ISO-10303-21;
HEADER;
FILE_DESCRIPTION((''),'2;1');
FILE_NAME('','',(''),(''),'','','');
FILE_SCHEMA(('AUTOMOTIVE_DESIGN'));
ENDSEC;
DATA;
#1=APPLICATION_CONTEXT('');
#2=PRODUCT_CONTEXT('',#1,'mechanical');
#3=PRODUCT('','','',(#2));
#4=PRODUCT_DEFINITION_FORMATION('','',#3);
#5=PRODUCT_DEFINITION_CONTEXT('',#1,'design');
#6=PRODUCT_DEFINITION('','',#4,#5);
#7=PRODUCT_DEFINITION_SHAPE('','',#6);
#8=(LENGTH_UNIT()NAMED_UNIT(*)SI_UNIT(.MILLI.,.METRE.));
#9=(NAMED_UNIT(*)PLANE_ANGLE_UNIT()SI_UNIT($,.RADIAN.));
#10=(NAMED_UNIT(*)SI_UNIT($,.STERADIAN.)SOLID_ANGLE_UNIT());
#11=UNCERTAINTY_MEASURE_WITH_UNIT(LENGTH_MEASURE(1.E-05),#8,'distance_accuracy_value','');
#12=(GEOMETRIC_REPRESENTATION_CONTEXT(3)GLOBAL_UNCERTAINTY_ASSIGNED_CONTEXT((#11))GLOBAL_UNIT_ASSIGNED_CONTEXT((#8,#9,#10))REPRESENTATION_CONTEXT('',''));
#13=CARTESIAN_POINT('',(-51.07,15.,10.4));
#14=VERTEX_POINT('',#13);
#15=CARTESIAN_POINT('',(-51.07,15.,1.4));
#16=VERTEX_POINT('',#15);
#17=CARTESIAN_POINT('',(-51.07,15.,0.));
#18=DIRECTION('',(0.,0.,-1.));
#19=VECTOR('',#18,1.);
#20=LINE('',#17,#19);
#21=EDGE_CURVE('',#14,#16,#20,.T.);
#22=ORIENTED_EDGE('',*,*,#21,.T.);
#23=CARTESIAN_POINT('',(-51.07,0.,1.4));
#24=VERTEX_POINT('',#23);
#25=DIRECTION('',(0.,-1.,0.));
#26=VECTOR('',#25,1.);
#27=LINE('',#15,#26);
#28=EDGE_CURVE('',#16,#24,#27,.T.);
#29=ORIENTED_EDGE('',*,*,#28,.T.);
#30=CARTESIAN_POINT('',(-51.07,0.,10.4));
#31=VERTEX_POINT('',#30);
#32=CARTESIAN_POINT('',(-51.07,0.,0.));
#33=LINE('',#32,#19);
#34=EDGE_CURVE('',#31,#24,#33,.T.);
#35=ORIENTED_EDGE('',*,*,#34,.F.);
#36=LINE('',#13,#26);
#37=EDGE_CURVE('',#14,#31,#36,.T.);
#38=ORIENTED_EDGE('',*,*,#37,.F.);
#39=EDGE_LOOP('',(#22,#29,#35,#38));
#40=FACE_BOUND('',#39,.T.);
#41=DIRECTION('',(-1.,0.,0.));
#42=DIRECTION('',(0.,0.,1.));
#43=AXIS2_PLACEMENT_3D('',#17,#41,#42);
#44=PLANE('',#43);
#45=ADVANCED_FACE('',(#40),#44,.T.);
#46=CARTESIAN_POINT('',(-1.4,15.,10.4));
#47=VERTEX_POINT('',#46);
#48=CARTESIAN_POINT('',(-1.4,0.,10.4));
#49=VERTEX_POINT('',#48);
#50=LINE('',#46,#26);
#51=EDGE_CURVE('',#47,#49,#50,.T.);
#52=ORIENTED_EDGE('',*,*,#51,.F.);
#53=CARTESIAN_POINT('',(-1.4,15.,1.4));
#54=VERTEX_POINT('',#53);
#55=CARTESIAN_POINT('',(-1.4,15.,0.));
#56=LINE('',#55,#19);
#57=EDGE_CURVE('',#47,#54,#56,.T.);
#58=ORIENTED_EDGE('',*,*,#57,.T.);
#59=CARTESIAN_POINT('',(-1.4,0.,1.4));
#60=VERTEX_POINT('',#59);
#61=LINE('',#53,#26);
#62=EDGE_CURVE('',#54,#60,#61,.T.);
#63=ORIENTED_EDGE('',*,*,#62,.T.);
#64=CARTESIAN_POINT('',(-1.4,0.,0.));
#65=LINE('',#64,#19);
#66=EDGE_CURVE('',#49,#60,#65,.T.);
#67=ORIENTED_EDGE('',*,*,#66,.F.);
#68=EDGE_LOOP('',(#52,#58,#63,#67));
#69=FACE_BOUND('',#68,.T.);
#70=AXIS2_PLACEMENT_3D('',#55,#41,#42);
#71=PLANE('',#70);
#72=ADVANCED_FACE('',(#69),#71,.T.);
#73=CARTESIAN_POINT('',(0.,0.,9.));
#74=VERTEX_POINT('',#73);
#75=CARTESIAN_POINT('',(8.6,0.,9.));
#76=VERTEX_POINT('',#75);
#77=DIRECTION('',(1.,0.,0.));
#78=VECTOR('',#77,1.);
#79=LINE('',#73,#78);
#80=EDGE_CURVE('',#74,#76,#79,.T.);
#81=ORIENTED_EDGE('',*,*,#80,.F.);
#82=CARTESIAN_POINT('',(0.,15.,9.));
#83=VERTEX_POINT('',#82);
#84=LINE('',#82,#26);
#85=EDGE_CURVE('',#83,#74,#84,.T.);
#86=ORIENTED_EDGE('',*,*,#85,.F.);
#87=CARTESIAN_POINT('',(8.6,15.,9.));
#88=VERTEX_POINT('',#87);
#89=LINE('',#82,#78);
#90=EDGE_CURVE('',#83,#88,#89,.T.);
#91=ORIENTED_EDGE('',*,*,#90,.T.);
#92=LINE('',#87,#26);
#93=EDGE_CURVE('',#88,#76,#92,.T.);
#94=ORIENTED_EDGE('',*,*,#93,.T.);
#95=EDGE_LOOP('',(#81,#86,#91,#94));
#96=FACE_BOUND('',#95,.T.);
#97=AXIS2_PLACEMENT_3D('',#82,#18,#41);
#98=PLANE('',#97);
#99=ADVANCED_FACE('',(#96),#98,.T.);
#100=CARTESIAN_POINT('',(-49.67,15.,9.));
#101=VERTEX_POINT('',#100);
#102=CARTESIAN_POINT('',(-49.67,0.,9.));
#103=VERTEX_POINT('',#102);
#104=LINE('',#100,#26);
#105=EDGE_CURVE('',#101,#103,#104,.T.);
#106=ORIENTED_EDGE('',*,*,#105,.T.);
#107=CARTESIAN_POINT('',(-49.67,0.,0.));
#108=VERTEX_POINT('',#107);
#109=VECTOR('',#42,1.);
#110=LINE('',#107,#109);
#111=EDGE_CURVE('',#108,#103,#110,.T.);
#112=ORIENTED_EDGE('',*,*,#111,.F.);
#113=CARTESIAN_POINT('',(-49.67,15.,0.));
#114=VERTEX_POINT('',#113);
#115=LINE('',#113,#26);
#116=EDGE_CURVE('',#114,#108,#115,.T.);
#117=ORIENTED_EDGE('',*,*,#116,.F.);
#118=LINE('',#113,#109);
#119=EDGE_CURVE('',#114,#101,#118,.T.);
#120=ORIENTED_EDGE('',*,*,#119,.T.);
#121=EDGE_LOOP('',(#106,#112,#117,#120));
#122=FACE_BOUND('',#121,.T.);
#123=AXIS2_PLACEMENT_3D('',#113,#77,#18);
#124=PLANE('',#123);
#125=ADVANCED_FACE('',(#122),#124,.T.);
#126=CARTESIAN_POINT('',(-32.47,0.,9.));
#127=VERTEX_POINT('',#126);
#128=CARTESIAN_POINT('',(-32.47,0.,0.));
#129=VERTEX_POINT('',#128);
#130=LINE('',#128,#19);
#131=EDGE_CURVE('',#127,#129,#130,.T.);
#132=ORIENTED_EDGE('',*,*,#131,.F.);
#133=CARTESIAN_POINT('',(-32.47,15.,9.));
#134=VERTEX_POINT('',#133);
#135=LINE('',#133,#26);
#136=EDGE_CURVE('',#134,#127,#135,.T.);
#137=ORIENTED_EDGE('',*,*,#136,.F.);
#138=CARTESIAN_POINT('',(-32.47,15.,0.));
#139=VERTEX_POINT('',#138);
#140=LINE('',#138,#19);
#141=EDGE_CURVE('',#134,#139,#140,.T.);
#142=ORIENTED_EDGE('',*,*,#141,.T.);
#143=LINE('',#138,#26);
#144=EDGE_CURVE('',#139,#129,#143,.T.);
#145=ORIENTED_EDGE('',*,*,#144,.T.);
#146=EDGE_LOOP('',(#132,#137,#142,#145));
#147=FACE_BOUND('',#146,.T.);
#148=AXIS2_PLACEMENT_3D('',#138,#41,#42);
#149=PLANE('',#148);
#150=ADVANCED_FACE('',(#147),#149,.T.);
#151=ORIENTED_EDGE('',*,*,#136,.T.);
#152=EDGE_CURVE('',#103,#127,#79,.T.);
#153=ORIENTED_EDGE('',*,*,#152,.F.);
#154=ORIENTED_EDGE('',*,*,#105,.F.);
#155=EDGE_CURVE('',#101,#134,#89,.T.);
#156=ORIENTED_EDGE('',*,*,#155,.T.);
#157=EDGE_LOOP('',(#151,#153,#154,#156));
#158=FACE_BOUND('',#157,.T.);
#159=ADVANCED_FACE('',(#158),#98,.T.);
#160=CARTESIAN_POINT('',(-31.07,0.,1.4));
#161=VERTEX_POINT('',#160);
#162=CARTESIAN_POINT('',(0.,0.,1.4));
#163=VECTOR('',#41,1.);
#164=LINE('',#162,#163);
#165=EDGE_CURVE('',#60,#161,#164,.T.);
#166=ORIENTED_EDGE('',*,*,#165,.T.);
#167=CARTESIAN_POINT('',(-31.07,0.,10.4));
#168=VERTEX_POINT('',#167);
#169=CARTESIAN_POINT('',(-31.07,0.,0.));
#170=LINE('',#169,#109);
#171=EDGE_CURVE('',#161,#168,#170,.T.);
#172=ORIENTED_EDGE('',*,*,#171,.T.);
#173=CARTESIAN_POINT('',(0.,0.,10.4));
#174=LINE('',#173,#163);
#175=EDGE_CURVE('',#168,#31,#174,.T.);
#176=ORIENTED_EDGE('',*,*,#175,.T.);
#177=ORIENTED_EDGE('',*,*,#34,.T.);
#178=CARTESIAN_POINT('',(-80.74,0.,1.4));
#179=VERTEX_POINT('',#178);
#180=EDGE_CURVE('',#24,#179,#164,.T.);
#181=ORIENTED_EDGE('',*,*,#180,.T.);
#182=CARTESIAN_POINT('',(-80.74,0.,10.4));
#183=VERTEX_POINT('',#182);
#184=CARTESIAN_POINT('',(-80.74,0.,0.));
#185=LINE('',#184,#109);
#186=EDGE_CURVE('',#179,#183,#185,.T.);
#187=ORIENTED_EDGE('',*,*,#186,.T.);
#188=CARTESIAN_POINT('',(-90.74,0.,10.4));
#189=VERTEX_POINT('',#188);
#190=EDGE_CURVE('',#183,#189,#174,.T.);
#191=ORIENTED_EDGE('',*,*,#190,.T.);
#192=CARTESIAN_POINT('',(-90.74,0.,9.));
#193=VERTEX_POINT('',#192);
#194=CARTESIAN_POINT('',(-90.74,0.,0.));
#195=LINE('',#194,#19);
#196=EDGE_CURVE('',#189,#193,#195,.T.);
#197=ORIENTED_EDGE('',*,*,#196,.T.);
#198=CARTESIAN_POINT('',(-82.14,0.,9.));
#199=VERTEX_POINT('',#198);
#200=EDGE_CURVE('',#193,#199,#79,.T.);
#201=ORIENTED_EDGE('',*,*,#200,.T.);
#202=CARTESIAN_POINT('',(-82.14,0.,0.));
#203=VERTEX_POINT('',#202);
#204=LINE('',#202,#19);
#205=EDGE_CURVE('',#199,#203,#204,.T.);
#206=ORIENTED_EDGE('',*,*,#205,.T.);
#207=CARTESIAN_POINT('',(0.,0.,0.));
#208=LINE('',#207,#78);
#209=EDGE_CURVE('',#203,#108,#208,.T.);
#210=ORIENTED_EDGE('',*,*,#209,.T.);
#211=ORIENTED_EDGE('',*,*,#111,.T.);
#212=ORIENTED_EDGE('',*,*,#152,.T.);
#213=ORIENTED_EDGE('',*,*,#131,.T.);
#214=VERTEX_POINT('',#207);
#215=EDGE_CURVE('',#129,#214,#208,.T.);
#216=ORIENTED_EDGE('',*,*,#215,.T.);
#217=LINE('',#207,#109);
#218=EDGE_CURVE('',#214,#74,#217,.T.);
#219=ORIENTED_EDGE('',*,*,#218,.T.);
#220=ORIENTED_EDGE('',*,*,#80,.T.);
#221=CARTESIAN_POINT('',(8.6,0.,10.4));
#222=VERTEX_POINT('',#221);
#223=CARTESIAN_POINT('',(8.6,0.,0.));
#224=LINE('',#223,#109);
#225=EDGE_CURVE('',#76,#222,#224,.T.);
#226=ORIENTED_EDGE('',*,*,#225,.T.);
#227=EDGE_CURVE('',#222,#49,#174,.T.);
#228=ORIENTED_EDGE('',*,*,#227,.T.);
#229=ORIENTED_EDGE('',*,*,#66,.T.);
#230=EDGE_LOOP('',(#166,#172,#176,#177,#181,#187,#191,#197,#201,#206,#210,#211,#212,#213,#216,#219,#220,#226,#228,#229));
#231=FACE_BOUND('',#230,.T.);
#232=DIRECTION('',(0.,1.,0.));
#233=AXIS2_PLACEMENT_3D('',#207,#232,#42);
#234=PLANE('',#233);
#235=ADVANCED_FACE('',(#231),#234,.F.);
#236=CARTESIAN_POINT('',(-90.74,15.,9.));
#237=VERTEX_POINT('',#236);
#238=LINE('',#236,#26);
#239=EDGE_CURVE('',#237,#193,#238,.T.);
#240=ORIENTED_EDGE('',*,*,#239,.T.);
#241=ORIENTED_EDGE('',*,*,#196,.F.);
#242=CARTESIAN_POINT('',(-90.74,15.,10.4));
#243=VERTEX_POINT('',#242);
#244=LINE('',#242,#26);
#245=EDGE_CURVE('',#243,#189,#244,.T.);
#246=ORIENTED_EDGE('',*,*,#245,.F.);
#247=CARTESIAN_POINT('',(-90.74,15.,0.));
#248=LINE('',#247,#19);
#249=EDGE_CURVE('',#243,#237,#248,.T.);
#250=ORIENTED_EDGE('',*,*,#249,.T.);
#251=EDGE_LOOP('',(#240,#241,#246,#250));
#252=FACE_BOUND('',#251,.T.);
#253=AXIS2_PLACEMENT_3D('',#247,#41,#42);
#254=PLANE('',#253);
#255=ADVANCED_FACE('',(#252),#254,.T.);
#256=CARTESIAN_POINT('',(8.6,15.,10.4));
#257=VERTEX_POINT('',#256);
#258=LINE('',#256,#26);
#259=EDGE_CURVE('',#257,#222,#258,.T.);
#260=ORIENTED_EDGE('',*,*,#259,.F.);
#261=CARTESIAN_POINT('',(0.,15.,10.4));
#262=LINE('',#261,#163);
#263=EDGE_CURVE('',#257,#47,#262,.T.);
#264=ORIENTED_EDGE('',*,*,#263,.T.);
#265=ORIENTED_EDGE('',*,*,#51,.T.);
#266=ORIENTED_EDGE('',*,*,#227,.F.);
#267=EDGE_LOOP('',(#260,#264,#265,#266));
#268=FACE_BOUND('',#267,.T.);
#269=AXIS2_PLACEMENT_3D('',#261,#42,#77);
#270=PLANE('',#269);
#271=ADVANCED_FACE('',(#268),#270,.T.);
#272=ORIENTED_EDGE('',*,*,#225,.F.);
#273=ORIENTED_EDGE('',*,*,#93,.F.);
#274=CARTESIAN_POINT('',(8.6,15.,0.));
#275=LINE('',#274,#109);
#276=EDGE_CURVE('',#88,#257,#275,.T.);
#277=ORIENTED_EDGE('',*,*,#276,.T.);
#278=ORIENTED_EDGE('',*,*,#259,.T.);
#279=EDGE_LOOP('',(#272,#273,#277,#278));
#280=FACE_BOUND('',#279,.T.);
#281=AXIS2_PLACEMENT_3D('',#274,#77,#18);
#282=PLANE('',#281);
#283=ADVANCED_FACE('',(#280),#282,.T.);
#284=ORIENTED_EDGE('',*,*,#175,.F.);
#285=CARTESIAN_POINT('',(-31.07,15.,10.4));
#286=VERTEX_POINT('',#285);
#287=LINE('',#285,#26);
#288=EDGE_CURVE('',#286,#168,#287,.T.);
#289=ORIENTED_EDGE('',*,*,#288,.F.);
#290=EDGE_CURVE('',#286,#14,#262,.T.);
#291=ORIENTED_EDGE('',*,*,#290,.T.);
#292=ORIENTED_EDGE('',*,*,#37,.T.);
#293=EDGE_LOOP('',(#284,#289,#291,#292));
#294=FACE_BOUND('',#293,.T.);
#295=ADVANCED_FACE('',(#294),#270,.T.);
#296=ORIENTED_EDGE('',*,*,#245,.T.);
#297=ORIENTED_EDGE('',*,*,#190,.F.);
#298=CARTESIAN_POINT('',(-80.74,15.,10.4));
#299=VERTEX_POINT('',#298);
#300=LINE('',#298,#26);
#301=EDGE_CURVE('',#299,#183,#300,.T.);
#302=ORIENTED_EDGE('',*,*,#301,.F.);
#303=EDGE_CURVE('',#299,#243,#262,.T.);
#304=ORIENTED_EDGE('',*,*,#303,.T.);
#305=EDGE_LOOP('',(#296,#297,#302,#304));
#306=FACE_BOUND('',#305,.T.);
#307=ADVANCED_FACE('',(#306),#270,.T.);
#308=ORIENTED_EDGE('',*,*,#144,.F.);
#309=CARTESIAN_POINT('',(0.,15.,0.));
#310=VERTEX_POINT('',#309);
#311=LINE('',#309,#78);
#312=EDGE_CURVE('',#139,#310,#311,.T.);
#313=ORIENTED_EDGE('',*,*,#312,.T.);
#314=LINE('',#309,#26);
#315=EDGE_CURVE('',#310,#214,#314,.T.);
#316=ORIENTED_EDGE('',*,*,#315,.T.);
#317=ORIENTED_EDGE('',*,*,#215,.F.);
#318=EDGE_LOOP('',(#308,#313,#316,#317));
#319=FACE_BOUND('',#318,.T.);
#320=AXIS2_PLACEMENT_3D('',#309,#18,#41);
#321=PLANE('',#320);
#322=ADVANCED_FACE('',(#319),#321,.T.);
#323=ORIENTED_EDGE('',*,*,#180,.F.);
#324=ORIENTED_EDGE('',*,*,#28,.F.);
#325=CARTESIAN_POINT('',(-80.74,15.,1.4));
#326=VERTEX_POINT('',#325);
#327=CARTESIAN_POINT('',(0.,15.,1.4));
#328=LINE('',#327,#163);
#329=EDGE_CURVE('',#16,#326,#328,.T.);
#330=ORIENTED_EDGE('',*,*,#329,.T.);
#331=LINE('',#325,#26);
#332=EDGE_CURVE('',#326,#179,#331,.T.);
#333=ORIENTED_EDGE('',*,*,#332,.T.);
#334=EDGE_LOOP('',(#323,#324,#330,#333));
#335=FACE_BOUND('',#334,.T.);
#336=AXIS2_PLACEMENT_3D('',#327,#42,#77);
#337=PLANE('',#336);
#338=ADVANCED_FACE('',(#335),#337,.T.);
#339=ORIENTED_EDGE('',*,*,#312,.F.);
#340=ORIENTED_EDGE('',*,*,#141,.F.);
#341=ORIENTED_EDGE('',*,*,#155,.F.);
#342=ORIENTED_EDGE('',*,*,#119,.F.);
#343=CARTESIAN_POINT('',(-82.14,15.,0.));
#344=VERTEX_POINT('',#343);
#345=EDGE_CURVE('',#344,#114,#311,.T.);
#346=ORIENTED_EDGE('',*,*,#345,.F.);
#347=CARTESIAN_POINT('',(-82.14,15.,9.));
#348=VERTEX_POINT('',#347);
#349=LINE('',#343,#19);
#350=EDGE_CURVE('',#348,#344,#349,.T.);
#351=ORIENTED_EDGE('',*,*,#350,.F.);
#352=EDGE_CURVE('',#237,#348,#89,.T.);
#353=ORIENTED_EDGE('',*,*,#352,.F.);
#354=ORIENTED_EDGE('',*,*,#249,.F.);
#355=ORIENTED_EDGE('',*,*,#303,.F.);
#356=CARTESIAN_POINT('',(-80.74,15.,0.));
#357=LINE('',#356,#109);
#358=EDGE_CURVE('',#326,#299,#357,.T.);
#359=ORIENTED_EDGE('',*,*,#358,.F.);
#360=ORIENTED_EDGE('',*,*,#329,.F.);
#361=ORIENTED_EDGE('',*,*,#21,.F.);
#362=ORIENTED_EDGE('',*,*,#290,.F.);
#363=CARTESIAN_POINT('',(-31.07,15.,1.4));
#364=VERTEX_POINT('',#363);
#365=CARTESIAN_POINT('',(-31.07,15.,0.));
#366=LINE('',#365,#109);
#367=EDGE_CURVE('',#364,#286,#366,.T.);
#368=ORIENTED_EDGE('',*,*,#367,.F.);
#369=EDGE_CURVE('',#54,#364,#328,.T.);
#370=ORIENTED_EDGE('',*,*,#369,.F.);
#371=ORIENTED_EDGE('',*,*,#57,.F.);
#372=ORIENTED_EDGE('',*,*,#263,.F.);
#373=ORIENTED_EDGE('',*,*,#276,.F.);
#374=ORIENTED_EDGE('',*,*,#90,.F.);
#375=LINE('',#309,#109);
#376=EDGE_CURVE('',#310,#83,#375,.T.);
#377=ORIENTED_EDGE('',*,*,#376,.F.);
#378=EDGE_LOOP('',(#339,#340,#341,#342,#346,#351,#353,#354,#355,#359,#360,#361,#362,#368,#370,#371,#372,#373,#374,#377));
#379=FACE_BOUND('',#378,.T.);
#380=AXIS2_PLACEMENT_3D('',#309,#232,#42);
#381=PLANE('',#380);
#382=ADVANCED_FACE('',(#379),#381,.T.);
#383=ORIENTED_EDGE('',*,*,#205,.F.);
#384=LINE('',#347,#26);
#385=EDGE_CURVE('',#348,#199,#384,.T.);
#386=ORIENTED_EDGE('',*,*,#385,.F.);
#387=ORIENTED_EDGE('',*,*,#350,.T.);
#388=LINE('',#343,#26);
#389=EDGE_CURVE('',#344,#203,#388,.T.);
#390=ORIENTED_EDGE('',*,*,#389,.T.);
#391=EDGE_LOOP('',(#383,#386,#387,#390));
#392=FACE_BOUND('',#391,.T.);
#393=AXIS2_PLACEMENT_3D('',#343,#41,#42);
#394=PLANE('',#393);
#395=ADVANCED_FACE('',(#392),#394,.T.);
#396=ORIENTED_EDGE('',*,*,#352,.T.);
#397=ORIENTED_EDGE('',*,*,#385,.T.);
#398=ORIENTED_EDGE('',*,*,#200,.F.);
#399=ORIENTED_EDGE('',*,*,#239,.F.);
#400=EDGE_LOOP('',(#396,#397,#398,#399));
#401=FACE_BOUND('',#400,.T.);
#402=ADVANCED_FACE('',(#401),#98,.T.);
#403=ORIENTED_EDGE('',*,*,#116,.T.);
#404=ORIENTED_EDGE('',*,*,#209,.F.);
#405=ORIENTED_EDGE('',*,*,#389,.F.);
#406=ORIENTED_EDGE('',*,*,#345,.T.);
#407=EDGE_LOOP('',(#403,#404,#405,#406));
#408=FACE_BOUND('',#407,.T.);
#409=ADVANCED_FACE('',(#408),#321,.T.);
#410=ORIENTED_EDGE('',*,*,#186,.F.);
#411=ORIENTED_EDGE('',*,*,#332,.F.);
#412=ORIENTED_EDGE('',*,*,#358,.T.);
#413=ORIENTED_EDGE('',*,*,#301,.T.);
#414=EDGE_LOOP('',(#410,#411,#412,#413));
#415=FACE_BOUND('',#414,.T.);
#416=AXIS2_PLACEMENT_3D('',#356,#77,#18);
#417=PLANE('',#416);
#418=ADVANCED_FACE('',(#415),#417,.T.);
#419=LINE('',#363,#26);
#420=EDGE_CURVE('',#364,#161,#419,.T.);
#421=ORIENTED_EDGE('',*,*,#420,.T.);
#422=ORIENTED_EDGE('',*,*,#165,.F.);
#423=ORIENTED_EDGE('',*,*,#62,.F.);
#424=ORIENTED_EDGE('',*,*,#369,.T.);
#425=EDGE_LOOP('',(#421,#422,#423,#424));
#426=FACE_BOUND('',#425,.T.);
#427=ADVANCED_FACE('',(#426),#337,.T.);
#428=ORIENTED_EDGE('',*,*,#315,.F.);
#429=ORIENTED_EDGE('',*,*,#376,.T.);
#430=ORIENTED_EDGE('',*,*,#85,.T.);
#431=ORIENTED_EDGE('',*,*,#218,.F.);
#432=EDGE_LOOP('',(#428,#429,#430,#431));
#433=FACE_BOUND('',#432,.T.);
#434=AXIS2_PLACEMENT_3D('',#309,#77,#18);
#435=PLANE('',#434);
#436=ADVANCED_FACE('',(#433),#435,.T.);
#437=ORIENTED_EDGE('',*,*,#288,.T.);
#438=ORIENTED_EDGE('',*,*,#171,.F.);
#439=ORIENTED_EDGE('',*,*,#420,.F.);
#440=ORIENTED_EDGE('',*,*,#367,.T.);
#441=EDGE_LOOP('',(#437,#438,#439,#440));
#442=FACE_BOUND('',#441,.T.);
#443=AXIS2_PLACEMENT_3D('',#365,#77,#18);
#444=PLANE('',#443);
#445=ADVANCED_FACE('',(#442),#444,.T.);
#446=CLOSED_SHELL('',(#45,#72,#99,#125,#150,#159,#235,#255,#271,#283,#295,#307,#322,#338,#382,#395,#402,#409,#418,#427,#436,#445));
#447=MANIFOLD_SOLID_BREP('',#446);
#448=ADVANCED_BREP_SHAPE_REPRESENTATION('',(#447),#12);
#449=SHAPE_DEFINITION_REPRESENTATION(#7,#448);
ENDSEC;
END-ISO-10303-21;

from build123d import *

# Parameters (mm, degrees)
BOSS_EXTRUDE2_DEPTH = 15


with BuildPart() as part:
    # Sketch1 → Boss-Extrude2 (new body)
    with BuildSketch(Plane(origin=(0, 0, 0), x_dir=(-1, 0, 0), z_dir=(0, 1, 0))):
        Polygon((0, 9), (0, 0), (32.47, 0), (32.47, 9), (49.67, 9), (49.67, 0), (82.14, 0), (82.14, 9), (90.74, 9), (90.74, 10.4), (80.74, 10.4), (80.74, 1.4), (51.07, 1.4), (51.07, 10.4), (31.07, 10.4), (31.07, 1.4), (1.4, 1.4), (1.4, 10.4), (-8.6, 10.4), (-8.6, 9), align=None)
    extrude(amount=BOSS_EXTRUDE2_DEPTH)


solid = part.part
